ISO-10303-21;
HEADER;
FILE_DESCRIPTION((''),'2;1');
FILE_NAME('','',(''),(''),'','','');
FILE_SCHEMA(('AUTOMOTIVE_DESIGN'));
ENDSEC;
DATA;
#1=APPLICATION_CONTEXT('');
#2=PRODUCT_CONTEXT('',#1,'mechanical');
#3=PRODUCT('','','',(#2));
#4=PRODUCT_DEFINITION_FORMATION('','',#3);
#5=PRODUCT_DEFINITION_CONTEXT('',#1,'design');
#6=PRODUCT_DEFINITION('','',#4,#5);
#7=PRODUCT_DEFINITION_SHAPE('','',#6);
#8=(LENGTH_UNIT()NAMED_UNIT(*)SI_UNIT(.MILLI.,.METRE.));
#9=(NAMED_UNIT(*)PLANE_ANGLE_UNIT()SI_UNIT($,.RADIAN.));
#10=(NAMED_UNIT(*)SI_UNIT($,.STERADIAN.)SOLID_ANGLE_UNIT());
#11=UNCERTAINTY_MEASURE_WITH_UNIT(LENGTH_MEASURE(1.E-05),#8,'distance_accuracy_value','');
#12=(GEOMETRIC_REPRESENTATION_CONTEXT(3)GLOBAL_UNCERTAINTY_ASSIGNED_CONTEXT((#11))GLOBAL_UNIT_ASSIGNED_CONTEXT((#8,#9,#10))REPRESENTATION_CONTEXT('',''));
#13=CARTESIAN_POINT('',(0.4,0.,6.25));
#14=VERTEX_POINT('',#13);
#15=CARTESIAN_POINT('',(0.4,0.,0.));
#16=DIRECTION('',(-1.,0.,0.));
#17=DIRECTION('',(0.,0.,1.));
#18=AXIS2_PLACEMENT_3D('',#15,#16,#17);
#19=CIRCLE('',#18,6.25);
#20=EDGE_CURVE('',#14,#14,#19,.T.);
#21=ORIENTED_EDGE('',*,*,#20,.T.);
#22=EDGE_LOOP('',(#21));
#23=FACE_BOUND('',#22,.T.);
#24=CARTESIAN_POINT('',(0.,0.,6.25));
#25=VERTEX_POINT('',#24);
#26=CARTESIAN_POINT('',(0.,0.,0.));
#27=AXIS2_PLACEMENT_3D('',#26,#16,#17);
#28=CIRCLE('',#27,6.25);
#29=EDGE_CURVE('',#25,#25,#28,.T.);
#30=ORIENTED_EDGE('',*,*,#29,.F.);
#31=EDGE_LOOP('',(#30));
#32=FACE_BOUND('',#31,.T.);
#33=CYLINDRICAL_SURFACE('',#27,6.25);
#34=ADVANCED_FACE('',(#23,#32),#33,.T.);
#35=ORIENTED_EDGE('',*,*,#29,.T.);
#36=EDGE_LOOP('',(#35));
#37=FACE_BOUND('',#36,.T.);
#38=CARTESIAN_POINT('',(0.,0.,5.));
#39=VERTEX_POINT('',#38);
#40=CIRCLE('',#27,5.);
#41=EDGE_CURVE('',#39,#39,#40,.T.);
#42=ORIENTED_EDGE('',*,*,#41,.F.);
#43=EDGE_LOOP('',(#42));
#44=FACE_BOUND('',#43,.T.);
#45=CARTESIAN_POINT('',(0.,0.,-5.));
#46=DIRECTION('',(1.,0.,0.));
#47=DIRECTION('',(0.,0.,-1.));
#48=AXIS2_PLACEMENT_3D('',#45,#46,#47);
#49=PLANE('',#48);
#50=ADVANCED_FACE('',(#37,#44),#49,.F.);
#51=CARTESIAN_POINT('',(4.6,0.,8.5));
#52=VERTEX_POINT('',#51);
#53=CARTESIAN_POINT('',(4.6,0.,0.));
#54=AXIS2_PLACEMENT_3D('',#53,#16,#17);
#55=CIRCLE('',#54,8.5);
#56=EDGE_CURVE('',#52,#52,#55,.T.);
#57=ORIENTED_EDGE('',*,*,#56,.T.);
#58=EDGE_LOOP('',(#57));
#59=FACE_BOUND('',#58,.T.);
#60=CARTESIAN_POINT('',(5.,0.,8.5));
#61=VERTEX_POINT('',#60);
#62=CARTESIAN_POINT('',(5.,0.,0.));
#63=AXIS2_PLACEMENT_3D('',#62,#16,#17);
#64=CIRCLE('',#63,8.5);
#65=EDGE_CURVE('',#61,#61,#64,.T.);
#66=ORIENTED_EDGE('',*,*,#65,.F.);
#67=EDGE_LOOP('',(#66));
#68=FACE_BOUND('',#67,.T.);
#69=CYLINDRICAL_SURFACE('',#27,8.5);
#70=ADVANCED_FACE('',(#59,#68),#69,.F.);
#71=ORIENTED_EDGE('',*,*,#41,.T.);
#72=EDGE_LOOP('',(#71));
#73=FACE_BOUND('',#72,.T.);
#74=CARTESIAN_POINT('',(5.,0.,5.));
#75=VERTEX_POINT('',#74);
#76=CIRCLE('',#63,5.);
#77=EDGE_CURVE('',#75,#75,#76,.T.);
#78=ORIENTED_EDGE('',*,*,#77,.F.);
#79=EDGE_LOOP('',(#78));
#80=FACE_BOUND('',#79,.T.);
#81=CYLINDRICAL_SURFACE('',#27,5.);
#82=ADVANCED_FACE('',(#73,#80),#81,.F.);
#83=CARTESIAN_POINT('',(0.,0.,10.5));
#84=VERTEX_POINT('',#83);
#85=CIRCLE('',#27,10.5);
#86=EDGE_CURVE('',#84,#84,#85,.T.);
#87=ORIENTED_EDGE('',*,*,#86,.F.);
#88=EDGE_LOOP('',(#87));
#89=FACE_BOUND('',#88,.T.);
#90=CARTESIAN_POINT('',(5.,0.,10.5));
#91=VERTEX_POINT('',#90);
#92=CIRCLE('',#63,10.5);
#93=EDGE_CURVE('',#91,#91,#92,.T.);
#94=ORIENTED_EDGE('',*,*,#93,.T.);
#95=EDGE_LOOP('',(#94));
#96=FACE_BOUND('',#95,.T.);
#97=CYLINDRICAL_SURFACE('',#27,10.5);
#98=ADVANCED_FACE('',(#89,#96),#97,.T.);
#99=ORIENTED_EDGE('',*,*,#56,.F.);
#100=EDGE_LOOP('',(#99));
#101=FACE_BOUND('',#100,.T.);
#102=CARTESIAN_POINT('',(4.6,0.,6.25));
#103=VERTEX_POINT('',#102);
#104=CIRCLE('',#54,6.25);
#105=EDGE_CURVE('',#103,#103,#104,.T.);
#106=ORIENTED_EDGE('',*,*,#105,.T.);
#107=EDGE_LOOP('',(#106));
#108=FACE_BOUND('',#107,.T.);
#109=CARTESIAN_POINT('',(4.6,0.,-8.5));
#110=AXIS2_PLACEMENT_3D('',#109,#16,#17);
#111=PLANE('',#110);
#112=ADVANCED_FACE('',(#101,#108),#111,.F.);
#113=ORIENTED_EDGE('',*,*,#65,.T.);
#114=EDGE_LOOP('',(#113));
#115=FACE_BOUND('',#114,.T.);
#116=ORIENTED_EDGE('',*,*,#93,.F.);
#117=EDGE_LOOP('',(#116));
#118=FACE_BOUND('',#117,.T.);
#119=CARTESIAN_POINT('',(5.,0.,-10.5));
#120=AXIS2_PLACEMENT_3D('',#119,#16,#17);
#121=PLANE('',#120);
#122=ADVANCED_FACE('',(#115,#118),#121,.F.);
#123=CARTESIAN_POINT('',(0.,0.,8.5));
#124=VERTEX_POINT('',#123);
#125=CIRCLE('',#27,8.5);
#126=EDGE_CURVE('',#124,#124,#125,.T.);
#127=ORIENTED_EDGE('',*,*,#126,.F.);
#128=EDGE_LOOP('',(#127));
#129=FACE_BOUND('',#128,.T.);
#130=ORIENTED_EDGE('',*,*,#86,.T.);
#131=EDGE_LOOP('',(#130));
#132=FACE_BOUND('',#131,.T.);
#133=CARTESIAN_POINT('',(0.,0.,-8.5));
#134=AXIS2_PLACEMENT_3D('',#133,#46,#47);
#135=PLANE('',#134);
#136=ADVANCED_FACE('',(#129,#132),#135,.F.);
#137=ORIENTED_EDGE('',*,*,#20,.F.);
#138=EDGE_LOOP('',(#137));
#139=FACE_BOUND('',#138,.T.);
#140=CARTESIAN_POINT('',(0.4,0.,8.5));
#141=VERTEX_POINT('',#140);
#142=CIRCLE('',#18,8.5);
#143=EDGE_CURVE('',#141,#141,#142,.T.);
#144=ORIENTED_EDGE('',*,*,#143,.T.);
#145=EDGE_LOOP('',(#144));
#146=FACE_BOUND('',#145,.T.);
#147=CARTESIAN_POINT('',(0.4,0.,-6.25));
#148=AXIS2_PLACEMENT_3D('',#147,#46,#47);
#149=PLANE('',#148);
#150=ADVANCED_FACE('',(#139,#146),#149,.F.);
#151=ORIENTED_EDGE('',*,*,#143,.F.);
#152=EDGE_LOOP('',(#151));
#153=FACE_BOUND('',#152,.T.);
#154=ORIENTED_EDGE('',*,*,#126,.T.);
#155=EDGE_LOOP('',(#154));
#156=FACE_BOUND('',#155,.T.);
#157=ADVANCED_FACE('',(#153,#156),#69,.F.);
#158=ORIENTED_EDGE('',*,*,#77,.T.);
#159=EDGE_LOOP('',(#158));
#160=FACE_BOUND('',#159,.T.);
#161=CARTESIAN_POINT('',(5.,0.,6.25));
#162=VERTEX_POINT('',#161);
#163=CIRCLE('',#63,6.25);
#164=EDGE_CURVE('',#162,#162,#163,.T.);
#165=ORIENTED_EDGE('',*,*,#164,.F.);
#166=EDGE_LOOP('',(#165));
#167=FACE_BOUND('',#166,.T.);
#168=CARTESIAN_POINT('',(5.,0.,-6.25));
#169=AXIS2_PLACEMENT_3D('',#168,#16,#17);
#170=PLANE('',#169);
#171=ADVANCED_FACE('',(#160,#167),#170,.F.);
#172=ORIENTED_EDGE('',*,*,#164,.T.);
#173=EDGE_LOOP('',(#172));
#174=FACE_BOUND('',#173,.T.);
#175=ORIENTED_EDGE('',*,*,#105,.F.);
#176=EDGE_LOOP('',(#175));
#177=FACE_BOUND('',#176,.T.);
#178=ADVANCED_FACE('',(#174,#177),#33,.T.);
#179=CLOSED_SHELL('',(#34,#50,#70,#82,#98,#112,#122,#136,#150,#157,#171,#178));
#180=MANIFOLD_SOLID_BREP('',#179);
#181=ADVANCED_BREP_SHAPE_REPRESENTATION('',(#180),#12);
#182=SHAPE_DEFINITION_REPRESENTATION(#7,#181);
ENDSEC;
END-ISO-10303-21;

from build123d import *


with BuildPart() as part:
    # Sketch1 → Revolve1 (revolve)
    with BuildSketch(Plane(origin=(0, 0, 0), x_dir=(1, 0, 0), z_dir=(0, 1, 0)), mode=Mode.PRIVATE) as revolve1_sk:
        Polygon((0, 5), (0, 6.25), (0.4, 6.25), (0.4, 8.5), (0, 8.5), (0, 10.5), (5, 10.5), (5, 8.5), (4.6, 8.5), (4.6, 6.25), (5, 6.25), (5, 5), align=None)
    revolve(revolve1_sk.sketch.rotate(Axis((0, 0, 0), (1, 0, 0)), 180), axis=Axis((0, 0, 0), (1, 0, 0)))


solid = part.part
